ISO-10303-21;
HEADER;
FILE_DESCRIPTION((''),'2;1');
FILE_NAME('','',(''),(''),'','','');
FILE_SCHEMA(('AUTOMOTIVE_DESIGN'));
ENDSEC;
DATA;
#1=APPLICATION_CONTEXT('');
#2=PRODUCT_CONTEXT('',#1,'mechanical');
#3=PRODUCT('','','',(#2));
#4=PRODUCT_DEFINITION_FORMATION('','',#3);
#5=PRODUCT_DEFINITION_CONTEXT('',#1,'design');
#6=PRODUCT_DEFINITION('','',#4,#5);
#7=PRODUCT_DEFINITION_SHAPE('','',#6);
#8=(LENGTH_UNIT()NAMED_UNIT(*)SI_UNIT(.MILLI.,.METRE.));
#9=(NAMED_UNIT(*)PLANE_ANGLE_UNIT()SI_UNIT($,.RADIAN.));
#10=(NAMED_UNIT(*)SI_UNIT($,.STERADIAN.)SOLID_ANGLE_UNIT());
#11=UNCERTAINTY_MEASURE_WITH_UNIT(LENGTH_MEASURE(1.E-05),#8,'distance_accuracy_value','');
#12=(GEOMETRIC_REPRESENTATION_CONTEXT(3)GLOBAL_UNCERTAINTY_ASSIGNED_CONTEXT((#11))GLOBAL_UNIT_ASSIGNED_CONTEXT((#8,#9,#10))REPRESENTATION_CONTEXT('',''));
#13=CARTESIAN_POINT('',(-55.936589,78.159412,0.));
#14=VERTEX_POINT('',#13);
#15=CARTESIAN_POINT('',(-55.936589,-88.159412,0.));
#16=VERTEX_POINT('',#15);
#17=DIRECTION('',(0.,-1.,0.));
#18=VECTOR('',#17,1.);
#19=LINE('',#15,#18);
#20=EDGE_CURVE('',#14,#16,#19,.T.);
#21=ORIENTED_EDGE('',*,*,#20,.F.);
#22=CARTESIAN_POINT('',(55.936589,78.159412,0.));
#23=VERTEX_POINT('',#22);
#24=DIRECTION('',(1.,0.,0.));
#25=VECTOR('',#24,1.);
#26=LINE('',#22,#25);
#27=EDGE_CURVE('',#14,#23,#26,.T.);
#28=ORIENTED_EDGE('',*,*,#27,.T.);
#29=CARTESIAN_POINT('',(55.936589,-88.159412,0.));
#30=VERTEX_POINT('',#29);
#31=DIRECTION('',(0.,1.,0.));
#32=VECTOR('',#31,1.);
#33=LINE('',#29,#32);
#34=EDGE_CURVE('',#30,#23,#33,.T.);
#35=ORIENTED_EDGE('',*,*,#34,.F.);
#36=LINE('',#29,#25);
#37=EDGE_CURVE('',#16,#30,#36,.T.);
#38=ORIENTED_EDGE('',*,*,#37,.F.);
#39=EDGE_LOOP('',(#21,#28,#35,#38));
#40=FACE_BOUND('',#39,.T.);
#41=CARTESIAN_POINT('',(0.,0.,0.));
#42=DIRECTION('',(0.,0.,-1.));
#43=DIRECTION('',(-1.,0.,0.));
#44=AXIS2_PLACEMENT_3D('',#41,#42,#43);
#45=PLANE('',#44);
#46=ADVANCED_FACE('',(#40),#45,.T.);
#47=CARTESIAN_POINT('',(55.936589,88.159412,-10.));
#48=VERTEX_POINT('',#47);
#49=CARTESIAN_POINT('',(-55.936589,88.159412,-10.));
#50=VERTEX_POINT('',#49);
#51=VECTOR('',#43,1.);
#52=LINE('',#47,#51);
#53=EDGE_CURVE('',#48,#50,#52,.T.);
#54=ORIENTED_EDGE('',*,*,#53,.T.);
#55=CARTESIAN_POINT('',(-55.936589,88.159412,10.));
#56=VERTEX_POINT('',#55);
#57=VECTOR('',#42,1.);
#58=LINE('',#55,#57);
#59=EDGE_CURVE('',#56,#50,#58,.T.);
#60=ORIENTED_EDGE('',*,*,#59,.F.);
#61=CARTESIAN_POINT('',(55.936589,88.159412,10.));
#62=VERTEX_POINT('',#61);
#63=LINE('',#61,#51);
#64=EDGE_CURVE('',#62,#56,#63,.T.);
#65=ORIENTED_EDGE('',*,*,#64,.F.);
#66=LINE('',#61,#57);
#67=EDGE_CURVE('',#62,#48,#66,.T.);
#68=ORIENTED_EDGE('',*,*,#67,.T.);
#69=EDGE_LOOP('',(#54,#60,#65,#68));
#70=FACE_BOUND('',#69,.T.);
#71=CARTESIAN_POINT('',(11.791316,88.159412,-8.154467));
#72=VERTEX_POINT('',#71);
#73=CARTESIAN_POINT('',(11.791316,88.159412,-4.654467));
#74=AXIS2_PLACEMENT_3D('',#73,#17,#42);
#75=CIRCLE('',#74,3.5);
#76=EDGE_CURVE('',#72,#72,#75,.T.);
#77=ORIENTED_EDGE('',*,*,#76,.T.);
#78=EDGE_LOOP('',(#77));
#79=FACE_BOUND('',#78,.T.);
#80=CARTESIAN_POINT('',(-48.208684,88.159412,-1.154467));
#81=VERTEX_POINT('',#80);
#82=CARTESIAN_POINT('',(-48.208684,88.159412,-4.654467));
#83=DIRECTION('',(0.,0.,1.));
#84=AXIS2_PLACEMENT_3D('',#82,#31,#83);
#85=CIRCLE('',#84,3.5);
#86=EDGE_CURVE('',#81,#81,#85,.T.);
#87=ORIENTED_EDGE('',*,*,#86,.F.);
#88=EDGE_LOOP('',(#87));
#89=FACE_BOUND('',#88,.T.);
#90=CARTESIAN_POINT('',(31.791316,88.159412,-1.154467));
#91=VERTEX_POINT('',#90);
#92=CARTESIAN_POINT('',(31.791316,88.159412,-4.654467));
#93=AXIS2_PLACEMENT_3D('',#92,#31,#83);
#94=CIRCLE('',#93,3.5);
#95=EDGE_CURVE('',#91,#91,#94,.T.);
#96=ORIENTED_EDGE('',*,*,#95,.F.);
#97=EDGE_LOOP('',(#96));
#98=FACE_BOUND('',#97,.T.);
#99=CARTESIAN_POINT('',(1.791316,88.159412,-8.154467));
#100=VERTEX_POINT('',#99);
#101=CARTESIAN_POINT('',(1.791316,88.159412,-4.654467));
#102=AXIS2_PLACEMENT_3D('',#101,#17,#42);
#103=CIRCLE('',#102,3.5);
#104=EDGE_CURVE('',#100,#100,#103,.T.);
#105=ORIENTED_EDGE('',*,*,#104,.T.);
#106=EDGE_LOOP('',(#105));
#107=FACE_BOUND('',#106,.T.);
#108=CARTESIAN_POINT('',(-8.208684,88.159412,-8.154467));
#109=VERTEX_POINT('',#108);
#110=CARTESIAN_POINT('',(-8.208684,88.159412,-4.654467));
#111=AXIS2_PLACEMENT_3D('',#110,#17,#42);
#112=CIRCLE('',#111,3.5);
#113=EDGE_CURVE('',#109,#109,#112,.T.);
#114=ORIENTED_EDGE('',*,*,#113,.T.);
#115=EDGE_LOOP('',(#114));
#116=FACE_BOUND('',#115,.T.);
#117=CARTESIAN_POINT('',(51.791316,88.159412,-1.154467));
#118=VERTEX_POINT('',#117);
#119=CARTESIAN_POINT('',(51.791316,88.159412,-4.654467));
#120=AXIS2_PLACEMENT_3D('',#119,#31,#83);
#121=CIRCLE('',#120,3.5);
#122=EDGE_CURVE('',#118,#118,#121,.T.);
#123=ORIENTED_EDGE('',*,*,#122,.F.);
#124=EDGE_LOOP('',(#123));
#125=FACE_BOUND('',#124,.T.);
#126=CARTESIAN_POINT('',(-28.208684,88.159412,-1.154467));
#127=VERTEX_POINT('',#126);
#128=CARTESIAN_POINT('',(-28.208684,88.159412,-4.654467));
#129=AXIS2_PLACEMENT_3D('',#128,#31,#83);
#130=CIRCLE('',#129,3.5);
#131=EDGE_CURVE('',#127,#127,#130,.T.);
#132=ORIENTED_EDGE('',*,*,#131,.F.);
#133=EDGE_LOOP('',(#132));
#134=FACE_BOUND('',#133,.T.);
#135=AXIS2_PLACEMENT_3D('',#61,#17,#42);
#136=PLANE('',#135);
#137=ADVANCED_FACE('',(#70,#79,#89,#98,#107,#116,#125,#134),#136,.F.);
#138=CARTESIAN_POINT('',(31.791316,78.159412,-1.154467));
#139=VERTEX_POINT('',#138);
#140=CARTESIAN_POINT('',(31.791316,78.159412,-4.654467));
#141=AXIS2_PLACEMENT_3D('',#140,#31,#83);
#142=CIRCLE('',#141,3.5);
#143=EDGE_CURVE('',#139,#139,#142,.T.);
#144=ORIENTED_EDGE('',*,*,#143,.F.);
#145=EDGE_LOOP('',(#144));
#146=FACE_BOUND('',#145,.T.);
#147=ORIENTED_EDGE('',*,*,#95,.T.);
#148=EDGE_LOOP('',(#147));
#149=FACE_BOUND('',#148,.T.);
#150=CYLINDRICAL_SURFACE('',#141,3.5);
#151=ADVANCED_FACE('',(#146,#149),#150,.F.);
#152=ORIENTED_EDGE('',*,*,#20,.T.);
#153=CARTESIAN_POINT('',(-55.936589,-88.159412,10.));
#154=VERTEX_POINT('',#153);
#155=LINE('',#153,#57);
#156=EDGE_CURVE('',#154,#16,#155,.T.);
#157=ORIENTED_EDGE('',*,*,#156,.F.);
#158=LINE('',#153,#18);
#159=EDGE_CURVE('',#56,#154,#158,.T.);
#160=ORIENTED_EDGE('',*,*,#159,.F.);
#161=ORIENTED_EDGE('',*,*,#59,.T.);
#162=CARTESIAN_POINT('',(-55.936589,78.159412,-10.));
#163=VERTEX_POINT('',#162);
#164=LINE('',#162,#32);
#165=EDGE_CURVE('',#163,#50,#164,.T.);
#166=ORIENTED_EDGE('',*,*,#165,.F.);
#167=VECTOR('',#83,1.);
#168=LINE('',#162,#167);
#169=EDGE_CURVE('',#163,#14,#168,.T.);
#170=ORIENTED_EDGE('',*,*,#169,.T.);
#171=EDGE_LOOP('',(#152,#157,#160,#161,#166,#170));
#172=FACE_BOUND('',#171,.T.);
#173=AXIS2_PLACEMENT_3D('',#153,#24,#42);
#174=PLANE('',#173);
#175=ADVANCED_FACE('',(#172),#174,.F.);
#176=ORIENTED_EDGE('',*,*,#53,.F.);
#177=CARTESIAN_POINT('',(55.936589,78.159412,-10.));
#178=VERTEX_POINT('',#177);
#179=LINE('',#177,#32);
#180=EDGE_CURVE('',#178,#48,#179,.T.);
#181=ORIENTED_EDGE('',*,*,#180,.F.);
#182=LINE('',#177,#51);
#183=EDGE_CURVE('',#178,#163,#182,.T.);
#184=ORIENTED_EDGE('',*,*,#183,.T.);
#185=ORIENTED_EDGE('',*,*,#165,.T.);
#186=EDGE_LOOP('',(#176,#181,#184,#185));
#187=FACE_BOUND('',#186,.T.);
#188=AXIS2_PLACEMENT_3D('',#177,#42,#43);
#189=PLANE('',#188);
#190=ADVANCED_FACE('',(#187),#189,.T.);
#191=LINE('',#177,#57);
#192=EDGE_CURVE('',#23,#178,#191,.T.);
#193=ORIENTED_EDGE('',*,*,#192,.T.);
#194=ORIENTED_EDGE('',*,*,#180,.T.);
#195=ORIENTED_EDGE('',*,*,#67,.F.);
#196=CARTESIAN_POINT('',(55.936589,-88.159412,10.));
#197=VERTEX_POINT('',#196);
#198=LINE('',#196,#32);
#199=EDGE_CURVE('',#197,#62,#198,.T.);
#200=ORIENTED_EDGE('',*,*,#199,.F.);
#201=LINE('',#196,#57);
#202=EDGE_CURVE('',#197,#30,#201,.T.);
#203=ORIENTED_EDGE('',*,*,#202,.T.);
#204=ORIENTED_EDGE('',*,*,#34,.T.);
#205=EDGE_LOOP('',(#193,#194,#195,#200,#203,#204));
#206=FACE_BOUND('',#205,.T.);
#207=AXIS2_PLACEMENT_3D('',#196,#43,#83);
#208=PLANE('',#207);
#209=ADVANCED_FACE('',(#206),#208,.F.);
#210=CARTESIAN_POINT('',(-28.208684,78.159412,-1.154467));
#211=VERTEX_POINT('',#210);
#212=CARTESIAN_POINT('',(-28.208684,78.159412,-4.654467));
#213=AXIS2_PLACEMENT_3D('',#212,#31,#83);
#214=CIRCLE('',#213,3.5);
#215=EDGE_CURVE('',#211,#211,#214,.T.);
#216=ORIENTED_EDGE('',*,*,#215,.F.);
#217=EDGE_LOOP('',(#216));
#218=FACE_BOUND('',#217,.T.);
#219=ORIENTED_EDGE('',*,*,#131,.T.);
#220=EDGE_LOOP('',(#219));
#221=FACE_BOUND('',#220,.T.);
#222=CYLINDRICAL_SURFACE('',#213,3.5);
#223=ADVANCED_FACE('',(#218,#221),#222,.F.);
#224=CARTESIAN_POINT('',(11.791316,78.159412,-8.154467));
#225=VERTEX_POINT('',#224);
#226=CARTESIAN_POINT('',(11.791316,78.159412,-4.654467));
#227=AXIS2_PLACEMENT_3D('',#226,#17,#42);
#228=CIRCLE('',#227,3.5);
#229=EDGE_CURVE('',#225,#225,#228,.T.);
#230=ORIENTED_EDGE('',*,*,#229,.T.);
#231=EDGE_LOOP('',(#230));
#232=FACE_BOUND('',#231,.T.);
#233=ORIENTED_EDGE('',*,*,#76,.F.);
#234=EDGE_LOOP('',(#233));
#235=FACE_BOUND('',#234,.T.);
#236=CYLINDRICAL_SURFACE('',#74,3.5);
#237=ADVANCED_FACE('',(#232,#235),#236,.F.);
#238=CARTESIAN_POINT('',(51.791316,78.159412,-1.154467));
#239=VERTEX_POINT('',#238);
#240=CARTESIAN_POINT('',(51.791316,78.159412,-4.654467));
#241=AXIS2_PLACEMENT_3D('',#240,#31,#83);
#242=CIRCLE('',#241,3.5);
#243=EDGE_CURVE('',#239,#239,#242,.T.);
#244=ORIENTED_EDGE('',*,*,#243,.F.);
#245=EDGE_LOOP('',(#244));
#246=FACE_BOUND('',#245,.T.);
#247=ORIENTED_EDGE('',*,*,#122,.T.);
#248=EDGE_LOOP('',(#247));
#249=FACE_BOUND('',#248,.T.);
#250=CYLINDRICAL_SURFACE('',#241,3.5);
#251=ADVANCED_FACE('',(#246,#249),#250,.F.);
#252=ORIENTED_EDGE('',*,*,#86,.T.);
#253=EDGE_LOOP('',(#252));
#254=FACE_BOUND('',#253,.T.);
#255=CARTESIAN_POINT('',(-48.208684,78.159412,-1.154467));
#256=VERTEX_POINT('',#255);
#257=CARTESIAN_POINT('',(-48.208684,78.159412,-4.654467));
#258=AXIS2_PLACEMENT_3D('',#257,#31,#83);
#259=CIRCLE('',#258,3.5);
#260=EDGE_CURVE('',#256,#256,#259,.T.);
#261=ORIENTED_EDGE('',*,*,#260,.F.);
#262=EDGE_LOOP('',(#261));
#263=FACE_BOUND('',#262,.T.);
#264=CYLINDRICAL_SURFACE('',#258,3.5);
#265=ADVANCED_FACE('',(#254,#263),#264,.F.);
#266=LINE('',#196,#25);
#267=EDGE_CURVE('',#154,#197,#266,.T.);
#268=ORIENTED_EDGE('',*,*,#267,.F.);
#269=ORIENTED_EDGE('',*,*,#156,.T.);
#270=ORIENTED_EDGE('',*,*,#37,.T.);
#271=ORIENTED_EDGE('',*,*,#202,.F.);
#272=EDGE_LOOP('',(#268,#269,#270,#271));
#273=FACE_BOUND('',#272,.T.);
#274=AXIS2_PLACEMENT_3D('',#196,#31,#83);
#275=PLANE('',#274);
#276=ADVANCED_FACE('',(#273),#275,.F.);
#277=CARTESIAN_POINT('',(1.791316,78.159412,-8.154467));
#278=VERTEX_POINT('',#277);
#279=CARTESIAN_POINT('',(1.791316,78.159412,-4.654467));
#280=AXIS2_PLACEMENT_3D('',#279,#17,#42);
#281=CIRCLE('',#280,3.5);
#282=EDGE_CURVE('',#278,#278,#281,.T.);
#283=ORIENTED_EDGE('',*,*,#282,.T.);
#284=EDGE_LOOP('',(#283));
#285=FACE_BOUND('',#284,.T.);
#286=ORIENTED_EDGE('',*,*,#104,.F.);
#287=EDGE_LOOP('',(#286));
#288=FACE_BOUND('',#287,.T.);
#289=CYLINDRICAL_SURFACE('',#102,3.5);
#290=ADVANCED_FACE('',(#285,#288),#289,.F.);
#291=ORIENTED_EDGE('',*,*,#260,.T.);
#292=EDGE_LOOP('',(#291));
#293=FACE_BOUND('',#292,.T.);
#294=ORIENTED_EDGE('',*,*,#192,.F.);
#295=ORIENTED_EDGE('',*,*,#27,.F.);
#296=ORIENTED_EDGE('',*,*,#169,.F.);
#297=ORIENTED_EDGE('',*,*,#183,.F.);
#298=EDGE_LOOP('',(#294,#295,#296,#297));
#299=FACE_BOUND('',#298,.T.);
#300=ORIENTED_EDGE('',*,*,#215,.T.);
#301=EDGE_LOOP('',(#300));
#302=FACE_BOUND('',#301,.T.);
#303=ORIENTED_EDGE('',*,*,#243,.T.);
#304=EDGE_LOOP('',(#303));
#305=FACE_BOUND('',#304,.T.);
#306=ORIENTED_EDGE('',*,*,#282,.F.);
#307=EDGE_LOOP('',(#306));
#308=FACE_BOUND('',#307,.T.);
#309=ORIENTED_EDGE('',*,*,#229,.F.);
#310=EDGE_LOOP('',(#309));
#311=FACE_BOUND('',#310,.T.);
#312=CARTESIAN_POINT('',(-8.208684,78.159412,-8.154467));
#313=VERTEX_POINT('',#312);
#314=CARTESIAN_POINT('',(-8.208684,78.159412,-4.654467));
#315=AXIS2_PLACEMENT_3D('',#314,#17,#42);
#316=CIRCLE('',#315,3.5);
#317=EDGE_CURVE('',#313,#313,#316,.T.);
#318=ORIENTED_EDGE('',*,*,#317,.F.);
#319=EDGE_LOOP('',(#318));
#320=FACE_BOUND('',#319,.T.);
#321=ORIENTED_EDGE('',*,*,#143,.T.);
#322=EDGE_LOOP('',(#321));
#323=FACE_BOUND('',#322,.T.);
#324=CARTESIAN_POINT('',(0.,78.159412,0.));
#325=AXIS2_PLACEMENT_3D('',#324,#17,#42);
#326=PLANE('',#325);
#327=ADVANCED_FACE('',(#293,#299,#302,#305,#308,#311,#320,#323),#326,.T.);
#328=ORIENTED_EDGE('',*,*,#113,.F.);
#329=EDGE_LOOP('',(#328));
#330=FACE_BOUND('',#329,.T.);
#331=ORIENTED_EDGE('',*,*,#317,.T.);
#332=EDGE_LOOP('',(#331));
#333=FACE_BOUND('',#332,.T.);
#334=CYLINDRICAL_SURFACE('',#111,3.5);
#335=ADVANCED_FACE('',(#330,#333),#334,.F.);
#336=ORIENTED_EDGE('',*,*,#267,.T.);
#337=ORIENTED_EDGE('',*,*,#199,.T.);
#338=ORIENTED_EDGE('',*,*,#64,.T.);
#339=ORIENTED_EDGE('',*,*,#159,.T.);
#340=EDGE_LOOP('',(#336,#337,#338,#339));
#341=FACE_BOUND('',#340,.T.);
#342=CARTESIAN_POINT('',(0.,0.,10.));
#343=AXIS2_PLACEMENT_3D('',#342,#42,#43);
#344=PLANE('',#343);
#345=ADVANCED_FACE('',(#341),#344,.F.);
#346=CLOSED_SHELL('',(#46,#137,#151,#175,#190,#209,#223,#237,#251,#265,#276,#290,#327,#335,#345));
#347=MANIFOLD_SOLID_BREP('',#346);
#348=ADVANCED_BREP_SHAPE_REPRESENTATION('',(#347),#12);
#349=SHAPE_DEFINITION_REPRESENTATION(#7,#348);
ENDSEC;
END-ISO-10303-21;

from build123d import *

# Parameters (mm, degrees)
ESQUISSE1_W             = 176.318824712
ESQUISSE1_H             = 111.873178338
BOSS_EXTRU_1_DEPTH      = 10
ESQUISSE2_W             = 111.873178338
ESQUISSE2_H             = 10
BOSS_EXTRU_3_DEPTH      = 10
ESQUISSE3_R             = 3.5
ENL_V_MAT_EXTRU_1_DEPTH = 10
ESQUISSE4_R             = 3.5
ENL_V_MAT_EXTRU_2_DEPTH = 10
ESQUISSE5_R             = 3.5
ENL_V_MAT_EXTRU_4_DEPTH = 10


with BuildPart() as part:
    # Esquisse1 → Boss.-Extru.1 (new body)
    with BuildSketch(Plane(origin=(0, 0, 0), x_dir=(0, 1, 0), z_dir=(0, 0, 1))):
        Rectangle(ESQUISSE1_W, ESQUISSE1_H)
    extrude(amount=BOSS_EXTRU_1_DEPTH)

    # Esquisse2 → Boss.-Extru.3 (add)
    with BuildSketch(Plane(origin=(0, 88.159412356, 0), x_dir=(-1, 0, 0), z_dir=(0, 1, 0))):
        with Locations((0, -5)):
            Rectangle(ESQUISSE2_W, ESQUISSE2_H)
    extrude(amount=-BOSS_EXTRU_3_DEPTH)

    # Esquisse3 → Enlèv. mat.-Extru.1 (cut)
    with BuildSketch(Plane.XZ.offset(-78.159412356)):
        with Locations(Location((11.791315902, -4.654466803, 0), (0, 0, 270))):
            Circle(ESQUISSE3_R)
        with Locations(Location((1.791315902, -4.654466803, 0), (0, 0, 270))):
            Circle(ESQUISSE3_R)
        with Locations(Location((-8.208684098, -4.654466803, 0), (0, 0, 270))):
            Circle(ESQUISSE3_R)
    extrude(amount=-ENL_V_MAT_EXTRU_1_DEPTH, mode=Mode.SUBTRACT)

    # Esquisse4 → Enlèv. mat.-Extru.2 (cut)
    with BuildSketch(Plane(origin=(0, 88.159412356, 0), x_dir=(-1, 0, 0), z_dir=(0, 1, 0))):
        with Locations(Location((-31.791315902, -4.654466803, 0), (0, 0, 90))):
            Circle(ESQUISSE4_R)
        with Locations(Location((28.208684098, -4.654466803, 0), (0, 0, 90))):
            Circle(ESQUISSE4_R)
    extrude(amount=-ENL_V_MAT_EXTRU_2_DEPTH, mode=Mode.SUBTRACT)

    # Esquisse5 → Enlèv. mat.-Extru.4 (cut)
    with BuildSketch(Plane(origin=(0, 88.159412356, 0), x_dir=(1, 0, 0), z_dir=(0, 1, 0))):
        with Locations(Location((-48.208684098, 4.654466803, 0), (0, 0, 270))):
            Circle(ESQUISSE5_R)
        with Locations(Location((51.791315902, 4.654466803, 0), (0, 0, 270))):
            Circle(ESQUISSE5_R)
    extrude(amount=-ENL_V_MAT_EXTRU_4_DEPTH, mode=Mode.SUBTRACT)


solid = part.part
